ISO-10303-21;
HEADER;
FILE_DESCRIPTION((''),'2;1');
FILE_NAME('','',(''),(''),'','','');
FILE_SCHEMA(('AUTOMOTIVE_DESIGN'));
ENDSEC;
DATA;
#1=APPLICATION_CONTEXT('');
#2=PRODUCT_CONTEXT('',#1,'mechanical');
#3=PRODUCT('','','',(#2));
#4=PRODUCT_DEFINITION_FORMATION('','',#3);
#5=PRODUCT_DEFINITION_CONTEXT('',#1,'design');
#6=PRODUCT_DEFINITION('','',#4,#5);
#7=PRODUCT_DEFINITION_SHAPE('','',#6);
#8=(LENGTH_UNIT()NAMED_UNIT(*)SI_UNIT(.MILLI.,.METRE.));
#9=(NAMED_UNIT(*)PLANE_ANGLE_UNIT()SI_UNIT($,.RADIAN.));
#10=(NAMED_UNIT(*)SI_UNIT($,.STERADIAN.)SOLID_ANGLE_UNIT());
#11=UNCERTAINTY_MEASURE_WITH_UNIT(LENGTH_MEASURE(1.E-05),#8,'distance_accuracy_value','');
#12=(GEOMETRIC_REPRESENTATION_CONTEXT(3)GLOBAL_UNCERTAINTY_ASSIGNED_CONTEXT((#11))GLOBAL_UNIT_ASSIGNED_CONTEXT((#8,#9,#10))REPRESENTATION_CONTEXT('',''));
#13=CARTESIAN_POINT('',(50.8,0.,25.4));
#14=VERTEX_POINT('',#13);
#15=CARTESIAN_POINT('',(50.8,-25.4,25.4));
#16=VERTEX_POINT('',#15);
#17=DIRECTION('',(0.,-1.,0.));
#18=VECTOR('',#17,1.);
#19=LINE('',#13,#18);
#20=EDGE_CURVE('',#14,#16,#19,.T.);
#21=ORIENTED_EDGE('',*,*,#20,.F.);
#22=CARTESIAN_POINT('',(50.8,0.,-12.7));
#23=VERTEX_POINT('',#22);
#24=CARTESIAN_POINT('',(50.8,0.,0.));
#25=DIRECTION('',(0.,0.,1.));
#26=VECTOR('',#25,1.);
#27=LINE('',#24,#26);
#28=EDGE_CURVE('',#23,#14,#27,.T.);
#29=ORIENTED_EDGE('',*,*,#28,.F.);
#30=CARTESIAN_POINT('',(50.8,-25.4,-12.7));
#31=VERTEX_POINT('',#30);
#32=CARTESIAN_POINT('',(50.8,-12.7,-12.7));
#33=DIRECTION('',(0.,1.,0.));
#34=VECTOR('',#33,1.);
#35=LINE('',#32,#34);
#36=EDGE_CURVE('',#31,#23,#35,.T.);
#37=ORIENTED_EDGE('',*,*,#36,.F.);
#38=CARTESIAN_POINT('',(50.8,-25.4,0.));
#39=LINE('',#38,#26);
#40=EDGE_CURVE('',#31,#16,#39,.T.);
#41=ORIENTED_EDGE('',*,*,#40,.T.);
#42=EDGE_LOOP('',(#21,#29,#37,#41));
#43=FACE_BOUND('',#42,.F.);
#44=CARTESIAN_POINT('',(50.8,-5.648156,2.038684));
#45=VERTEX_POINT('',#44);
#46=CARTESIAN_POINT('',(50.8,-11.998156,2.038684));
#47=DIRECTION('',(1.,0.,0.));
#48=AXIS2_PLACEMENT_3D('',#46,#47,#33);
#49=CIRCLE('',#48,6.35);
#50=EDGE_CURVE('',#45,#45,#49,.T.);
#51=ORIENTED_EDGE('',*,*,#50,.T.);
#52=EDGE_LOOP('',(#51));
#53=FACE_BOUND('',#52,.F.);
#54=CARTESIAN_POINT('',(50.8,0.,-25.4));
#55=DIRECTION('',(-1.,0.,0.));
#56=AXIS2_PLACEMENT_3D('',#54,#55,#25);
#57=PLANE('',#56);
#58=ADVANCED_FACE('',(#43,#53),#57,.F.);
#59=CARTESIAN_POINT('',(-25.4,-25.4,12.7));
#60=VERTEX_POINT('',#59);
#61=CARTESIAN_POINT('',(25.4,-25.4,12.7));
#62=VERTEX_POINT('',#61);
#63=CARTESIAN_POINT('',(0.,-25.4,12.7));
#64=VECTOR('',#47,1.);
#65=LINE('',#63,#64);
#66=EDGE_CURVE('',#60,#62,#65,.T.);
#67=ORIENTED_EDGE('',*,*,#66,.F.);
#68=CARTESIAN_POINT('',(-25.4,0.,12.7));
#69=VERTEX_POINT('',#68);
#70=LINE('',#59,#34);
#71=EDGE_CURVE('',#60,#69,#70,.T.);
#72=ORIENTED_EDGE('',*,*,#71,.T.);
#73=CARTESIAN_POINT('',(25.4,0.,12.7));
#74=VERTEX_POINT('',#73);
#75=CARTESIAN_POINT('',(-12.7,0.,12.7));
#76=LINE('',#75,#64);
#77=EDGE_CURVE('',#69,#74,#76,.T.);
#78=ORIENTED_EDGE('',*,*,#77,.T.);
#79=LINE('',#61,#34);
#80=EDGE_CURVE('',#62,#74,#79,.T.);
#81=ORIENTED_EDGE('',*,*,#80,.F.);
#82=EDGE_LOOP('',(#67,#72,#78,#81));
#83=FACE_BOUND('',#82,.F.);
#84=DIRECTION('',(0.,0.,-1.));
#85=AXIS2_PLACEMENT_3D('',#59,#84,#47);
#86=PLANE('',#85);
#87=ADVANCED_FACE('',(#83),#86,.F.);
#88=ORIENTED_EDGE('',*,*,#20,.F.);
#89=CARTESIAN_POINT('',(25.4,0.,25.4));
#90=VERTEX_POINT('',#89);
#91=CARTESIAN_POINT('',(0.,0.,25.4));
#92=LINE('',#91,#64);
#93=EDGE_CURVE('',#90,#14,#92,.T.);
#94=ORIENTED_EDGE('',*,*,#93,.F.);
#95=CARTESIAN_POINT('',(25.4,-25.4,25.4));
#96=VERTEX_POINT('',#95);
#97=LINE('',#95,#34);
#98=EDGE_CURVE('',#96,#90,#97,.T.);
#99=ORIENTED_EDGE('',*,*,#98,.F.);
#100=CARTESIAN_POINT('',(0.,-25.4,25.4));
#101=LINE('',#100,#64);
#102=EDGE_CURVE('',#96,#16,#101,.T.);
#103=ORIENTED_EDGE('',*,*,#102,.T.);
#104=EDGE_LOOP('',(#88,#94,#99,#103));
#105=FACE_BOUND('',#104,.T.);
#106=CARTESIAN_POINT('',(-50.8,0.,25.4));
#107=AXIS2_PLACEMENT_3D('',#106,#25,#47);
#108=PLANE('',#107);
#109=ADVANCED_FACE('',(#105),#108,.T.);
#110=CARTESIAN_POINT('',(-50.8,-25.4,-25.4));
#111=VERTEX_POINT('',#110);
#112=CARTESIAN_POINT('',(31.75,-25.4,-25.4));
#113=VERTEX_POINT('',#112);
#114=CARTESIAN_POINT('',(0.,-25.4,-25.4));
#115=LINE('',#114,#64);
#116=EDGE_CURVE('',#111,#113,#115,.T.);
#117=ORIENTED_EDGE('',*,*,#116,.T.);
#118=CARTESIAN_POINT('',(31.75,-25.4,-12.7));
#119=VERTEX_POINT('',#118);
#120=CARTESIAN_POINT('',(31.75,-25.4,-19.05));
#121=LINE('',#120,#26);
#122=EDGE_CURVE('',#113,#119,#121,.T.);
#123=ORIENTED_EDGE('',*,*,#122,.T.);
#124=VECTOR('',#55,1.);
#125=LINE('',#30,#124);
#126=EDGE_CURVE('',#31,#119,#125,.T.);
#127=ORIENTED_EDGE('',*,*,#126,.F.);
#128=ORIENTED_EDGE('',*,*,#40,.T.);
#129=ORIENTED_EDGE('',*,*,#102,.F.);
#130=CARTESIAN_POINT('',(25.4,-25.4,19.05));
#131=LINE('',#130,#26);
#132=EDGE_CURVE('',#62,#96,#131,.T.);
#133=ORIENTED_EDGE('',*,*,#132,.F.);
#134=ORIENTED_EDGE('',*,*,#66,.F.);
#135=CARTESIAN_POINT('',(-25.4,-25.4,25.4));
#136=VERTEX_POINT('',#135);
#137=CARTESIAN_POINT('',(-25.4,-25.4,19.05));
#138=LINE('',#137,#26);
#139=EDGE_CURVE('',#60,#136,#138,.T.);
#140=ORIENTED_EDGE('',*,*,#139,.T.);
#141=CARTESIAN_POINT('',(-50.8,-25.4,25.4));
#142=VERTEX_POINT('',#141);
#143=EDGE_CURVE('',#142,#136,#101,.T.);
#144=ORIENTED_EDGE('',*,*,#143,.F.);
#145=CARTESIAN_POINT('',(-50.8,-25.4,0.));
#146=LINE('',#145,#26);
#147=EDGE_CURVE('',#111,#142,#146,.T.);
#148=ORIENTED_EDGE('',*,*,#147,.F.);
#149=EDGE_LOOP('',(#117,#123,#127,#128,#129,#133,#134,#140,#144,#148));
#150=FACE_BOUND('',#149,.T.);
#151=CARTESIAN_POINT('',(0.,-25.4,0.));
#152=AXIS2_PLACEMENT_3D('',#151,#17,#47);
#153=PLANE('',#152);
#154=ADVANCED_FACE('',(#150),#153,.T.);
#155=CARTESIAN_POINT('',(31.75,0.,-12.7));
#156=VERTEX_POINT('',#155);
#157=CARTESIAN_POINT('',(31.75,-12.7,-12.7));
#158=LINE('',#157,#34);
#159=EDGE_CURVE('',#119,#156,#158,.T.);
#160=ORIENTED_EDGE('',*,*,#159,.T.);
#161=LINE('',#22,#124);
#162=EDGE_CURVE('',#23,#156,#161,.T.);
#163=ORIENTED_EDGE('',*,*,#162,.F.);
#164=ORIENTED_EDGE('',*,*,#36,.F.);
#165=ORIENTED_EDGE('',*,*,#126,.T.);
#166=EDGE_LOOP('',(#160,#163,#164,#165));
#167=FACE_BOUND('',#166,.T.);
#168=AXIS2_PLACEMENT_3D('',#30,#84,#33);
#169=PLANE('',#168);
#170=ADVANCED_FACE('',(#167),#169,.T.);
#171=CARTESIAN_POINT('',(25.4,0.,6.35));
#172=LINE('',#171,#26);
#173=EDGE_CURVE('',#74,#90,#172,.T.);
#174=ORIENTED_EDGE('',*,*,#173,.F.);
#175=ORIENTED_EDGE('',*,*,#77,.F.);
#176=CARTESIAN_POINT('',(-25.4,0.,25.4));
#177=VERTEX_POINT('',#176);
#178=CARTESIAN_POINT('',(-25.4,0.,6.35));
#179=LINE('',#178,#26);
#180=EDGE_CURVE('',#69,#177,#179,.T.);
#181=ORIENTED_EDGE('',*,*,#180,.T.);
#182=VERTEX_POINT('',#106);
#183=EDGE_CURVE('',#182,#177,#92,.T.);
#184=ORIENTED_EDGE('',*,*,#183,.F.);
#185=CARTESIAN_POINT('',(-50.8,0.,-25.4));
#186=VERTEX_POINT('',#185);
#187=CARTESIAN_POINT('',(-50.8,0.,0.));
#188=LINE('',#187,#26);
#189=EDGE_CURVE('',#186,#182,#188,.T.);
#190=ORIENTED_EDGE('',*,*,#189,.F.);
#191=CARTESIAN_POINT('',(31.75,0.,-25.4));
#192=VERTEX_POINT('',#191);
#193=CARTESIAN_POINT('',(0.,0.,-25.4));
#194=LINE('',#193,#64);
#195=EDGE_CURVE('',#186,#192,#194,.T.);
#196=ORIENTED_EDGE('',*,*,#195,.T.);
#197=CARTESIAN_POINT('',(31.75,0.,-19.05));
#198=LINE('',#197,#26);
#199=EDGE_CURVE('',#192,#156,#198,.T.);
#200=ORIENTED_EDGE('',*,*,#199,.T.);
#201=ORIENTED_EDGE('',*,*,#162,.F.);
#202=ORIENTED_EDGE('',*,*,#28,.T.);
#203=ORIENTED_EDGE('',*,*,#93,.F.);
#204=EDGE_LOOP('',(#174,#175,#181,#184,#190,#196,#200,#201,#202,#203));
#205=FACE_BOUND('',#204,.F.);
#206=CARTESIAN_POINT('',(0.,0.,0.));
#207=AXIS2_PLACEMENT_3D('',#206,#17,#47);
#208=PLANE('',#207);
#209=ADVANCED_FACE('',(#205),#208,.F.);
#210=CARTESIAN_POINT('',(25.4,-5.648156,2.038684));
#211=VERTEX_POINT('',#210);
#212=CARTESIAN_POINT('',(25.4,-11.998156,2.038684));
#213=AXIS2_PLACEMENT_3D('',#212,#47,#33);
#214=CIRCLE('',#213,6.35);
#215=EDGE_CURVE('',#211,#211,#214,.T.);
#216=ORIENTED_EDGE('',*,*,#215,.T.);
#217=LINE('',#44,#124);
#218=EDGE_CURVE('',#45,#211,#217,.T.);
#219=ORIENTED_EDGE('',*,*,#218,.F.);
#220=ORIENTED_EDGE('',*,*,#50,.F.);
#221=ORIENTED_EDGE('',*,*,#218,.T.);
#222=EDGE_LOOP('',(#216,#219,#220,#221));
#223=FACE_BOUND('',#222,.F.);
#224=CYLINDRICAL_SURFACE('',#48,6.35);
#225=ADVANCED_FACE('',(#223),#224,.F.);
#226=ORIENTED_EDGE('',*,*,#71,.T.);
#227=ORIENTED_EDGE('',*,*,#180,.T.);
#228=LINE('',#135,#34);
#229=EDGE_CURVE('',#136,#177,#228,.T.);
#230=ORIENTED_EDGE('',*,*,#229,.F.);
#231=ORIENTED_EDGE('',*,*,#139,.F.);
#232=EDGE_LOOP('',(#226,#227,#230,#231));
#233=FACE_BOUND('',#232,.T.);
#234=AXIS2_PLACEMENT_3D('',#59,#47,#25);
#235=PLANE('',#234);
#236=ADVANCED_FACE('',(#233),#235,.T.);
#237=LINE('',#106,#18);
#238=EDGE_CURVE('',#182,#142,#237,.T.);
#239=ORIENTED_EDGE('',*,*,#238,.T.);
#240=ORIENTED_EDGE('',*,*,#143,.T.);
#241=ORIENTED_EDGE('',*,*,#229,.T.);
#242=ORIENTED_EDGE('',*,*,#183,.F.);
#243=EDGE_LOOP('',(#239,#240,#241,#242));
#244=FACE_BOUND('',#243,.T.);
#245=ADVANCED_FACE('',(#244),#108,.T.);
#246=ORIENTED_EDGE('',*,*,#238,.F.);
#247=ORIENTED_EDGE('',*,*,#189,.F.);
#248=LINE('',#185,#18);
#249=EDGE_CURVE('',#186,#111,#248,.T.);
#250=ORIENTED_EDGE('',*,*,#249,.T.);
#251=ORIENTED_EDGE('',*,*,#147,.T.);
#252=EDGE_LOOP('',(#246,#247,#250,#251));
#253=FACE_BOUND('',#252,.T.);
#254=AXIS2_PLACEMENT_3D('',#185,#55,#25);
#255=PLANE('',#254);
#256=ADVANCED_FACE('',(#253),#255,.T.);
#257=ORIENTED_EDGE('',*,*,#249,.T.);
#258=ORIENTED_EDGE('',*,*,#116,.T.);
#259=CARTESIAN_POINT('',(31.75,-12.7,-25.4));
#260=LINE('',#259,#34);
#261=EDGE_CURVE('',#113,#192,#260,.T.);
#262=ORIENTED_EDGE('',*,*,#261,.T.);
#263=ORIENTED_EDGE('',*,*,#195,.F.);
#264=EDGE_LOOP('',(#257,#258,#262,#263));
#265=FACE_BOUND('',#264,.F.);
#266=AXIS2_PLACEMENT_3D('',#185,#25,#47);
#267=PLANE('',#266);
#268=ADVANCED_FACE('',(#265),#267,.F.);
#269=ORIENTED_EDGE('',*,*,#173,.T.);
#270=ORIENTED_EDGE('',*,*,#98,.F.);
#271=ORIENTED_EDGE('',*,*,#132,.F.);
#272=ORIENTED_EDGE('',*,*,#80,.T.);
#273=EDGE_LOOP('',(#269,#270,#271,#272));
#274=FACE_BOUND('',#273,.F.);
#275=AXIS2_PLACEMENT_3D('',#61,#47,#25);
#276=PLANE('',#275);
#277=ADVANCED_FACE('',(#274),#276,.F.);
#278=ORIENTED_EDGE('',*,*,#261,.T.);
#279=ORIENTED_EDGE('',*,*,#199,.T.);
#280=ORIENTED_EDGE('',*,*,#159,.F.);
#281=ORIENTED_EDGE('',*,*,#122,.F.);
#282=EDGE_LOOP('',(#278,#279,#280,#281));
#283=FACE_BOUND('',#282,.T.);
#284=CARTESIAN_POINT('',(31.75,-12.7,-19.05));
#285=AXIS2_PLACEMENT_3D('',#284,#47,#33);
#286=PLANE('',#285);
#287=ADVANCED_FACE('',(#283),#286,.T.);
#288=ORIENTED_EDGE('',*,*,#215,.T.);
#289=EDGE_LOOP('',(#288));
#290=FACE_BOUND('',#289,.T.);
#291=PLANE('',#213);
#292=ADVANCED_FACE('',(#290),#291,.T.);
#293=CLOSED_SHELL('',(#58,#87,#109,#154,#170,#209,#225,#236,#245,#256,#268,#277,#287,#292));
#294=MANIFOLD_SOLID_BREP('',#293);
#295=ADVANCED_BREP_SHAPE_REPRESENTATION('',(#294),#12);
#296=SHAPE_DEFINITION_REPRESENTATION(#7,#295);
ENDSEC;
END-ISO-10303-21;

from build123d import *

# Parameters (mm, degrees)
F0_W     = 101.6
F0_H     = 50.8
F1_DEPTH = 25.4
F2_W     = 50.8
F2_H     = 12.7
F3_DEPTH = 25.401
F4_W     = 25.4
F4_H     = 12.7
F5_DEPTH = 19.05
F6_R     = 6.35
F7_DEPTH = 25.4


with BuildPart() as f1:
    # F0 (on Front) → F1 (new body)
    with BuildSketch(Plane.XZ):
        Rectangle(F0_W, F0_H)
    extrude(amount=F1_DEPTH)

    # F2 (on face) → F3 (cut, through all)
    with BuildSketch(Plane.XZ.offset(25.4)):
        with Locations((0, 19.05)):
            Rectangle(F2_W, F2_H)
    extrude(amount=-F3_DEPTH, mode=Mode.SUBTRACT)

    # F4 (on face) → F5 (cut)
    with BuildSketch(Plane.YZ.offset(50.8)):
        with Locations((-12.7, -19.05)):
            Rectangle(F4_W, F4_H)
    extrude(amount=-F5_DEPTH, mode=Mode.SUBTRACT)

    # F6 (on face) → F7 (cut)
    with BuildSketch(Plane.YZ.offset(50.8)):
        with Locations((-11.998156, 2.038684)):
            Circle(F6_R)
    extrude(amount=-F7_DEPTH, mode=Mode.SUBTRACT)


solid = f1.part
